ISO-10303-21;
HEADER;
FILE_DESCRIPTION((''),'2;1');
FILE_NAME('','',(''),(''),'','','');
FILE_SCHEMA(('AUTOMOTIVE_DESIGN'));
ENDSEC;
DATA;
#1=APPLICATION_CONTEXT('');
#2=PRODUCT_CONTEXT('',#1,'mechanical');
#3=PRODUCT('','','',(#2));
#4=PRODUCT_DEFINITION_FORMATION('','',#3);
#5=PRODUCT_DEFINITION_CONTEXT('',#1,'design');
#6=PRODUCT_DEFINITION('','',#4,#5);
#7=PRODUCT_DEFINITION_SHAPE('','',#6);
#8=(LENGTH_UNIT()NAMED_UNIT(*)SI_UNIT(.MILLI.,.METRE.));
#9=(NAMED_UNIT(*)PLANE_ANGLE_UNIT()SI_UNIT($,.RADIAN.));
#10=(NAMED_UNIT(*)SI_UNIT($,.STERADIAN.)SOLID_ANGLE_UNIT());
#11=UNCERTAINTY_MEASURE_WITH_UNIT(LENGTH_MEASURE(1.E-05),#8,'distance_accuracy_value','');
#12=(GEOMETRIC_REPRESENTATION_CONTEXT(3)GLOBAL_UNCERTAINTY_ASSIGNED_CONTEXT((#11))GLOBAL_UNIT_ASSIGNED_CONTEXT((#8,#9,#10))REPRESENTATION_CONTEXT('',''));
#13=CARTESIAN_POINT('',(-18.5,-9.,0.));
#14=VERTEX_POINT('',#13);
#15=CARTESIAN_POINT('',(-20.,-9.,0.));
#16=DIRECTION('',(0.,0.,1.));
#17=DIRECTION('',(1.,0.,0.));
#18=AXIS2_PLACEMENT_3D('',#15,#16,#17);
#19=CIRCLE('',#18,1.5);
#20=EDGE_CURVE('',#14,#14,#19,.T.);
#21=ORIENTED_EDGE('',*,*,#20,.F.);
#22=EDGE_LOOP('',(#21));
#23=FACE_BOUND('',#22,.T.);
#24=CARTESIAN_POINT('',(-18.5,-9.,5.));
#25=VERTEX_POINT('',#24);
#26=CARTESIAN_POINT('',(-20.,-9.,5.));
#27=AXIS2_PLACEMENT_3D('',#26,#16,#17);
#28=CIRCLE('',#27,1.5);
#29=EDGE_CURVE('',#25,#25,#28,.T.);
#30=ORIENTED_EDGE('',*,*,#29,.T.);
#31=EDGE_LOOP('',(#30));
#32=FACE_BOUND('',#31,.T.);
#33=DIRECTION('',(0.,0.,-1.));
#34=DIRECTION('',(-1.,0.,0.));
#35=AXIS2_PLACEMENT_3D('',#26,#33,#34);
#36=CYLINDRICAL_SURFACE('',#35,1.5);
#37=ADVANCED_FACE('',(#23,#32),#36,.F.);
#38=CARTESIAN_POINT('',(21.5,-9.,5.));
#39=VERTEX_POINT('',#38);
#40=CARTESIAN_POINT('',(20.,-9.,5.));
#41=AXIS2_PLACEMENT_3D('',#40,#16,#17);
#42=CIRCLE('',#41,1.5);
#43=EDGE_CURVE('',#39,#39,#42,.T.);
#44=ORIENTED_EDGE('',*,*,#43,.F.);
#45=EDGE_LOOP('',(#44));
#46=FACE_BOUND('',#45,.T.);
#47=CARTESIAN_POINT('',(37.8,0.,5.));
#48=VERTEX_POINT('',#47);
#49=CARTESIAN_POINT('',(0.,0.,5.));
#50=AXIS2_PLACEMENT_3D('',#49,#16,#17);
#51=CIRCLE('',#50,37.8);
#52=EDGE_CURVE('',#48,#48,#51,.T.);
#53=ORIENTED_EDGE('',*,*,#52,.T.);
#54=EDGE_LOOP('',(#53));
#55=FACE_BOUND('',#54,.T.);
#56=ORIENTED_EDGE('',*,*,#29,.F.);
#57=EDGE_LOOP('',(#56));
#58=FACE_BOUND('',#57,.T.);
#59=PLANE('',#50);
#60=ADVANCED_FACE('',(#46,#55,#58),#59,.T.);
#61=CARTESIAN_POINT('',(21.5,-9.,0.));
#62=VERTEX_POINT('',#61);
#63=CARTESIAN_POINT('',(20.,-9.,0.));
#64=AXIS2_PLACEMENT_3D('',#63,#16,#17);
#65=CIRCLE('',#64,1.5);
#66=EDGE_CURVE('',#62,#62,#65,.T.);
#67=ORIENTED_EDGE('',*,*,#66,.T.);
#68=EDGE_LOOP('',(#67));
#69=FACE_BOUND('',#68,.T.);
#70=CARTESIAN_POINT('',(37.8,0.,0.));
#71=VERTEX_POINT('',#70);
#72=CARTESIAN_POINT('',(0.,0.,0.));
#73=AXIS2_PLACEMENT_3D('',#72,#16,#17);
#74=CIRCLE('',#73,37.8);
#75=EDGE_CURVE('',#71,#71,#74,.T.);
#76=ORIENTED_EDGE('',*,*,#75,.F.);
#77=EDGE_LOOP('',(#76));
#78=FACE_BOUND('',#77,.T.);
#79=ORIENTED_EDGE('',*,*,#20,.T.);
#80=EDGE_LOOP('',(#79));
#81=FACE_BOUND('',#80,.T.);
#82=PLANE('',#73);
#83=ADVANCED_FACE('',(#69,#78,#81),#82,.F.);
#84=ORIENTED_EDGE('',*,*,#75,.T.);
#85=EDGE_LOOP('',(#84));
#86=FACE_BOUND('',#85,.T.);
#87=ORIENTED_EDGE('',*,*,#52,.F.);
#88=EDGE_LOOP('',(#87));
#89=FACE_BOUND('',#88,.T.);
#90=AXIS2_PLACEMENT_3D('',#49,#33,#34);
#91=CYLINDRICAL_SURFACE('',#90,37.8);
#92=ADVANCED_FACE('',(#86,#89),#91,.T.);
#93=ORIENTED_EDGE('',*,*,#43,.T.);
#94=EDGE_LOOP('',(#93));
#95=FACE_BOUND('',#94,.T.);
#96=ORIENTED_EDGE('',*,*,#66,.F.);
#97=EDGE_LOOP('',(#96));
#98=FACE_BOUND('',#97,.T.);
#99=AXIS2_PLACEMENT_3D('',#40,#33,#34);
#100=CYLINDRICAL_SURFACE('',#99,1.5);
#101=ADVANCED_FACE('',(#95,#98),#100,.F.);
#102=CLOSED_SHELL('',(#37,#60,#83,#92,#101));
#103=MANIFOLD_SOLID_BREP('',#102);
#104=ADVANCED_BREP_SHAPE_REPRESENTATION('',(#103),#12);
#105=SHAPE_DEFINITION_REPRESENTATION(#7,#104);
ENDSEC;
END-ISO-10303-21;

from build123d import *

# Parameters (mm, degrees)
SKETCH1_R           = 37.8
SKETCH1_R_2         = 1.5
BOSS_EXTRUDE1_DEPTH = 5


with BuildPart() as part:
    # Sketch1 → Boss-Extrude1 (new body)
    with BuildSketch(Plane.XY):
        Circle(SKETCH1_R)
        with Locations((-20, -9)):
            Circle(SKETCH1_R_2, mode=Mode.SUBTRACT)
        with Locations((20, -9)):
            Circle(SKETCH1_R_2, mode=Mode.SUBTRACT)
    extrude(amount=BOSS_EXTRUDE1_DEPTH)


solid = part.part
